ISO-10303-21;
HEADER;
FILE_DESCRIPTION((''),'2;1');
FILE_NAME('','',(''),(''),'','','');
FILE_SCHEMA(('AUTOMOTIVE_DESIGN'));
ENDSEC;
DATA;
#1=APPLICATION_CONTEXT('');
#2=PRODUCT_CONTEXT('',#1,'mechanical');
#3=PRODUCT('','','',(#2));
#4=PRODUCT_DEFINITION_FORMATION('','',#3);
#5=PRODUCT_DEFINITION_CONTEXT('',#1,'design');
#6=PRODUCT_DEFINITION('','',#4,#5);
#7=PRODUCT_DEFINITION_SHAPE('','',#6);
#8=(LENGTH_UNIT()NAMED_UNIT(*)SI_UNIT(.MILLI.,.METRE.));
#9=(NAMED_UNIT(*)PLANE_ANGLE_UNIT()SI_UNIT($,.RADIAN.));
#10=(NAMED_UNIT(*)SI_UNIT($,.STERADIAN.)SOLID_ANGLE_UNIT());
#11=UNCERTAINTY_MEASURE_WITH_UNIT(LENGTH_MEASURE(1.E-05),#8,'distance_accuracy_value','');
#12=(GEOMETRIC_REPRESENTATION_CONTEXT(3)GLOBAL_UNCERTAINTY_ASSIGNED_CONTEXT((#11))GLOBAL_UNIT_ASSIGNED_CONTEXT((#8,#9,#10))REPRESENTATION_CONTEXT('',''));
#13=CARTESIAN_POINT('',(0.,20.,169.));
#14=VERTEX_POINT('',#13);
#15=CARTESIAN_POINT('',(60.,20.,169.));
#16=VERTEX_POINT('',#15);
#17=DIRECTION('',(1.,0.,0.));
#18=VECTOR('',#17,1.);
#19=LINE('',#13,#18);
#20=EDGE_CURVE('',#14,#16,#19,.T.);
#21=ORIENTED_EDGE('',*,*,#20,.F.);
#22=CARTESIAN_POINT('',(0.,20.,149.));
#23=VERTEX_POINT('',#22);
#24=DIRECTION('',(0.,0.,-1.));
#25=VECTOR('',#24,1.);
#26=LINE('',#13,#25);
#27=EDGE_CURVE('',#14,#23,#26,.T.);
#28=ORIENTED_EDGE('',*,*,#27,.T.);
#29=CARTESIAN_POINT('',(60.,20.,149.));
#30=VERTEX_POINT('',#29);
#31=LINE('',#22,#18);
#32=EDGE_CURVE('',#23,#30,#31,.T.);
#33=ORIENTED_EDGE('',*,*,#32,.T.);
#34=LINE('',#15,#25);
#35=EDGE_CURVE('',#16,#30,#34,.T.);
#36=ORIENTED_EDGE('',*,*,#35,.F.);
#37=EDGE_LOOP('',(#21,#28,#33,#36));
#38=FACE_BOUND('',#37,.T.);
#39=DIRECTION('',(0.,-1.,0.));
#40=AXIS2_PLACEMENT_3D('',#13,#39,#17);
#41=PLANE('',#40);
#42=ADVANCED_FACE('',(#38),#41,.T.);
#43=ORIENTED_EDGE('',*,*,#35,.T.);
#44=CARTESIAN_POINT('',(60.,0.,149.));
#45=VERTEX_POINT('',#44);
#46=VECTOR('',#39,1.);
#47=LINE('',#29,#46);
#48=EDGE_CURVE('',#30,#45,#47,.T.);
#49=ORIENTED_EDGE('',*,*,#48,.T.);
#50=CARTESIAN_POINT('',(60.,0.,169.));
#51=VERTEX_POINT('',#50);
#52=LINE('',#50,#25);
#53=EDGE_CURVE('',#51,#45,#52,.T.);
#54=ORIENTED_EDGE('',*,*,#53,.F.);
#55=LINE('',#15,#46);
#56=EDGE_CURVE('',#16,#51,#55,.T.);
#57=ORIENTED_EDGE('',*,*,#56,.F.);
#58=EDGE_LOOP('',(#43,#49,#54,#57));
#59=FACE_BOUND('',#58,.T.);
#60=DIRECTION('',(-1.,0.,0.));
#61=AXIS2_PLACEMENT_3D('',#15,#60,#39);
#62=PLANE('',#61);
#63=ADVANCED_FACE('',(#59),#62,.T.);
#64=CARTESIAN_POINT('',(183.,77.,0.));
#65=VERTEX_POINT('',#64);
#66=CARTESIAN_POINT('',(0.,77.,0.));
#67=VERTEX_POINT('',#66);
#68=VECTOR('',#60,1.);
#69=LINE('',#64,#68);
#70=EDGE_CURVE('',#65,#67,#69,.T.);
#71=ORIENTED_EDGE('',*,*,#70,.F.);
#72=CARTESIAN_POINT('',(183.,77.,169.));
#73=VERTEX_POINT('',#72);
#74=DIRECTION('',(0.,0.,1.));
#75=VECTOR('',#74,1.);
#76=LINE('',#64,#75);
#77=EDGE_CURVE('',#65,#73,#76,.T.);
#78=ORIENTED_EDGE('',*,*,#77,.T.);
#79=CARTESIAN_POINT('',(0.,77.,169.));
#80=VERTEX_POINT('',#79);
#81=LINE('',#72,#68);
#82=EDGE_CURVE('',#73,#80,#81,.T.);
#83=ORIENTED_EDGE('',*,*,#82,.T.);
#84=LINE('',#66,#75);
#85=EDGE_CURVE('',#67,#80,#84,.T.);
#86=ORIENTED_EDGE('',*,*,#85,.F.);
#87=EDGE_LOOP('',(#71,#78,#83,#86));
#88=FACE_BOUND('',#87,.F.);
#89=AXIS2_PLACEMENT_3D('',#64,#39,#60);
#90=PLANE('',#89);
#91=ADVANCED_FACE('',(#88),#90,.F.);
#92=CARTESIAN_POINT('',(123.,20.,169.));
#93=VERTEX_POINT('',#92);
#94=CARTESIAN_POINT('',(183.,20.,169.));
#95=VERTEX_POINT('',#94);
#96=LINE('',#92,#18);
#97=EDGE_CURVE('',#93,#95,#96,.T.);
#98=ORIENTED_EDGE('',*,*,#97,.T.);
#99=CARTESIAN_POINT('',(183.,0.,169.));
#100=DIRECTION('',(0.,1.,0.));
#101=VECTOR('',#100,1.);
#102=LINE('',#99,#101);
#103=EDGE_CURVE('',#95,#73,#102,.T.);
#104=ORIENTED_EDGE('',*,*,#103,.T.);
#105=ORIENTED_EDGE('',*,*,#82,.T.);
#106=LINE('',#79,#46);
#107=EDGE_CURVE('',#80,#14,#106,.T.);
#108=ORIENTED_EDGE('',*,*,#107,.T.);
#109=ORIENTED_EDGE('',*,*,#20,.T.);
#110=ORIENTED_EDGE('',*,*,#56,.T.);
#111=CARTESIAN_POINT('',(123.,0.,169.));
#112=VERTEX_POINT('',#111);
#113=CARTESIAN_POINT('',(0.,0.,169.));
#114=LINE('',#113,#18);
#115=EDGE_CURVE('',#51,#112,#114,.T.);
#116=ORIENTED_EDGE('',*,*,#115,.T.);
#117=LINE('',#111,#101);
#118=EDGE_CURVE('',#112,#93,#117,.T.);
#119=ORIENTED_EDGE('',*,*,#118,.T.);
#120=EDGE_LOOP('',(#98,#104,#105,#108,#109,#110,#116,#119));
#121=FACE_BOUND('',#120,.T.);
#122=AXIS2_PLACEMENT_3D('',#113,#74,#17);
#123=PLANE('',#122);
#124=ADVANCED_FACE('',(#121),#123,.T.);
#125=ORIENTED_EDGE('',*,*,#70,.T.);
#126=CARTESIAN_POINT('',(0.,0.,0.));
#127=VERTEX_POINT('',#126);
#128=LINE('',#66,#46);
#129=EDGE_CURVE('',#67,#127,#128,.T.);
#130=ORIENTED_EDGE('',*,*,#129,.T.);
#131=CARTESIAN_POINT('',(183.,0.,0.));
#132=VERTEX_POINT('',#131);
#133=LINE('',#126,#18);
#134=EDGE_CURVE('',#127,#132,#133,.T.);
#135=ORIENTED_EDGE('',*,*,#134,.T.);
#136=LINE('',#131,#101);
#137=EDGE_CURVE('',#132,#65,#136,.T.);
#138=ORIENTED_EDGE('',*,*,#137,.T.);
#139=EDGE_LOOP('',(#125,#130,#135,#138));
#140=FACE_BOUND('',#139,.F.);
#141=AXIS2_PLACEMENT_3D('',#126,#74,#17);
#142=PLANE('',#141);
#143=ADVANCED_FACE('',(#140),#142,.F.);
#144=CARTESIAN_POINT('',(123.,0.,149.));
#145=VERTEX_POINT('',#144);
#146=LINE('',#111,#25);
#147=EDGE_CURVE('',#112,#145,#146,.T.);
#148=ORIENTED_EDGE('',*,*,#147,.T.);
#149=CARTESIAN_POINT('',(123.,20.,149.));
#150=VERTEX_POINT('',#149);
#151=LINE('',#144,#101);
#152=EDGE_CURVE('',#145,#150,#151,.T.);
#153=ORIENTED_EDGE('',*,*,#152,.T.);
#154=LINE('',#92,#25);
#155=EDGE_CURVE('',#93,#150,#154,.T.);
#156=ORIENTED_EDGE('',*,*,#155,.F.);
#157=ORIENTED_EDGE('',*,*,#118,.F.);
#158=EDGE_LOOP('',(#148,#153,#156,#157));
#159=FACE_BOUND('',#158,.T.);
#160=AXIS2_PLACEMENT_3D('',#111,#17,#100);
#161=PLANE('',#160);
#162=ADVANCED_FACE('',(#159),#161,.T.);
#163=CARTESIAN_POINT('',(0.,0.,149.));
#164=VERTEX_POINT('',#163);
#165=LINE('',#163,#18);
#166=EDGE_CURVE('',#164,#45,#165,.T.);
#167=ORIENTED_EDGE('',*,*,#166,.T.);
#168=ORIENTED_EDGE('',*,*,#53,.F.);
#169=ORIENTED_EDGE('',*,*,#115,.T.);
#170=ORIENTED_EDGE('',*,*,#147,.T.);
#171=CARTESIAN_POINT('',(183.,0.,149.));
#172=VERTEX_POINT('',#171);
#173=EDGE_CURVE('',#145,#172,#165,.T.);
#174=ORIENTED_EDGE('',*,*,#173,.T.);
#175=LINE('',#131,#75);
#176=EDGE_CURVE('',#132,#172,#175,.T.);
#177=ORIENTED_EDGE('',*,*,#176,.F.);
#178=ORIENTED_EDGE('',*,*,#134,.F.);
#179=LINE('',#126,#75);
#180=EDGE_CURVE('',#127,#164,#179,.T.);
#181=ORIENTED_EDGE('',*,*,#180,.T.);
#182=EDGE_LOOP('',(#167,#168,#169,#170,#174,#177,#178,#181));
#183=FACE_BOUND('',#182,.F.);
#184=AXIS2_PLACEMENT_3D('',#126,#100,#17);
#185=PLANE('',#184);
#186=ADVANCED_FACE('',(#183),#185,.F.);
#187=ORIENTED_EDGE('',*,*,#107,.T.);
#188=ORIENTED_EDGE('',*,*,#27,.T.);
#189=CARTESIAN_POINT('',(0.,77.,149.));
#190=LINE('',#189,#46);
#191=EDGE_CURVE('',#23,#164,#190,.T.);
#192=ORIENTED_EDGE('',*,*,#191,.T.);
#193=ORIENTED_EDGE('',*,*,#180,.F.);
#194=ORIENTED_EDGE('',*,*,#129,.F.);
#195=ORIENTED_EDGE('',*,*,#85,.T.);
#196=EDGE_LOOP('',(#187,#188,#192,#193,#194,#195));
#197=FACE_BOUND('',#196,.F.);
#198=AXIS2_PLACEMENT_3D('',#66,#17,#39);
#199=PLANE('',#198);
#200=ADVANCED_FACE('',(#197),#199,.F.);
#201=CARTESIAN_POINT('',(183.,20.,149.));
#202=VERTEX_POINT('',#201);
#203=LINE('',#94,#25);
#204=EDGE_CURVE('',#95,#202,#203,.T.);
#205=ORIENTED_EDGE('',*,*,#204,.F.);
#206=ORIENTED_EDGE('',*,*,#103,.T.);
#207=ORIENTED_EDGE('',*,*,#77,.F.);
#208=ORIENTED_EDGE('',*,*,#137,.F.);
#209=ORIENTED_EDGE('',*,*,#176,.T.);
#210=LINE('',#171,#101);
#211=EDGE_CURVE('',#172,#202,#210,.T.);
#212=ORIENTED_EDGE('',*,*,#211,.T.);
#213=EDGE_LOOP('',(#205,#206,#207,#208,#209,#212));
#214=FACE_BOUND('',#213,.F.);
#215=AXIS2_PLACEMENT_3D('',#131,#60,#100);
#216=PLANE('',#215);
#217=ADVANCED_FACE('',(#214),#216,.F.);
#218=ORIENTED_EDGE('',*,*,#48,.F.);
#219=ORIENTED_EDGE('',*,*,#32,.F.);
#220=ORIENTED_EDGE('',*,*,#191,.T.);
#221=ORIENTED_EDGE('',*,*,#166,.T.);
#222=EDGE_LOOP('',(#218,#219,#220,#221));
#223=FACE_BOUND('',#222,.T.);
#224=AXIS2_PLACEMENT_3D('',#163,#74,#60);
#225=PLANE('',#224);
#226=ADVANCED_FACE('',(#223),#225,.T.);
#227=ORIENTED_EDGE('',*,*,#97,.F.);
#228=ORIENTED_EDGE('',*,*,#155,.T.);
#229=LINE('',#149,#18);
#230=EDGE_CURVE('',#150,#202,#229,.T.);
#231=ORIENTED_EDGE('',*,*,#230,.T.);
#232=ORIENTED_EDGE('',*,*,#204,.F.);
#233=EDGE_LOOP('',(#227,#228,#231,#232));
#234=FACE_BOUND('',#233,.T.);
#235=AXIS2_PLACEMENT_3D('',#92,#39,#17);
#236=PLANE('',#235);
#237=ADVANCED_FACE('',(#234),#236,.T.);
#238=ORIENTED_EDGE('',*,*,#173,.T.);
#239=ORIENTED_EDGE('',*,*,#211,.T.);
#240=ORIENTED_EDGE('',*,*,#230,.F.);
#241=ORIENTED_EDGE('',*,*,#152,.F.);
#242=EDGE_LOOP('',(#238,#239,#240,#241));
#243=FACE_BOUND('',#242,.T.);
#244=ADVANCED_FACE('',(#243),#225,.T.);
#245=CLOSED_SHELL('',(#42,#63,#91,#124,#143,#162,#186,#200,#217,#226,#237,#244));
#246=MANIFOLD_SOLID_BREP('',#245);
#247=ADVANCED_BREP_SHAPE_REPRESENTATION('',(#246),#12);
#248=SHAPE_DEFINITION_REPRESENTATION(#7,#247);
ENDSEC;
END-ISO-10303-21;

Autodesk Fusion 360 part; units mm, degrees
sketch "Sketch1" plane through (0, 0, 0) normal (0, 0, 1) x (1, 0, 0)
  line L0 (0, 0) -> (183, 0)
  line L1 (183, 0) -> (183, 77)
  line L2 (183, 77) -> (0, 77)
  line L3 (0, 77) -> (0, 0)
  dimension "d1" = 183
  dimension "d2" = 77
extrude "Extrude1" add sketch "Sketch1" along normal blind 169
sketch "Sketch2" plane through (0, 0, 169) normal (0, 0, 1) x (-1, 0, 0)
  line L0 (0, -77) -> (0, 0)
  line L1 (0, 0) -> (-183, 0)
  line L2 (-183, 0) -> (-183, -77)
  line L3 (-183, -77) -> (0, -77)
  line L4 (0, -20) -> (-60, -20)
  line L5 (-60, -20) -> (-60, 0)
  line L6 (-60, 0) -> (0, 0)
  line L7 (0, 0) -> (0, -20)
  line L8 (-183, 0) -> (-123, 0)
  line L9 (-123, 0) -> (-123, -20)
  line L10 (-123, -20) -> (-183, -20)
  line L11 (-183, -20) -> (-183, 0)
  dimension "d5" = 60
extrude "Extrude2" cut sketch "Sketch2" against normal blind 20 contours L0 L1 L4 L5 L6 L7 | L1 L2 L8 L9 L10 L11
